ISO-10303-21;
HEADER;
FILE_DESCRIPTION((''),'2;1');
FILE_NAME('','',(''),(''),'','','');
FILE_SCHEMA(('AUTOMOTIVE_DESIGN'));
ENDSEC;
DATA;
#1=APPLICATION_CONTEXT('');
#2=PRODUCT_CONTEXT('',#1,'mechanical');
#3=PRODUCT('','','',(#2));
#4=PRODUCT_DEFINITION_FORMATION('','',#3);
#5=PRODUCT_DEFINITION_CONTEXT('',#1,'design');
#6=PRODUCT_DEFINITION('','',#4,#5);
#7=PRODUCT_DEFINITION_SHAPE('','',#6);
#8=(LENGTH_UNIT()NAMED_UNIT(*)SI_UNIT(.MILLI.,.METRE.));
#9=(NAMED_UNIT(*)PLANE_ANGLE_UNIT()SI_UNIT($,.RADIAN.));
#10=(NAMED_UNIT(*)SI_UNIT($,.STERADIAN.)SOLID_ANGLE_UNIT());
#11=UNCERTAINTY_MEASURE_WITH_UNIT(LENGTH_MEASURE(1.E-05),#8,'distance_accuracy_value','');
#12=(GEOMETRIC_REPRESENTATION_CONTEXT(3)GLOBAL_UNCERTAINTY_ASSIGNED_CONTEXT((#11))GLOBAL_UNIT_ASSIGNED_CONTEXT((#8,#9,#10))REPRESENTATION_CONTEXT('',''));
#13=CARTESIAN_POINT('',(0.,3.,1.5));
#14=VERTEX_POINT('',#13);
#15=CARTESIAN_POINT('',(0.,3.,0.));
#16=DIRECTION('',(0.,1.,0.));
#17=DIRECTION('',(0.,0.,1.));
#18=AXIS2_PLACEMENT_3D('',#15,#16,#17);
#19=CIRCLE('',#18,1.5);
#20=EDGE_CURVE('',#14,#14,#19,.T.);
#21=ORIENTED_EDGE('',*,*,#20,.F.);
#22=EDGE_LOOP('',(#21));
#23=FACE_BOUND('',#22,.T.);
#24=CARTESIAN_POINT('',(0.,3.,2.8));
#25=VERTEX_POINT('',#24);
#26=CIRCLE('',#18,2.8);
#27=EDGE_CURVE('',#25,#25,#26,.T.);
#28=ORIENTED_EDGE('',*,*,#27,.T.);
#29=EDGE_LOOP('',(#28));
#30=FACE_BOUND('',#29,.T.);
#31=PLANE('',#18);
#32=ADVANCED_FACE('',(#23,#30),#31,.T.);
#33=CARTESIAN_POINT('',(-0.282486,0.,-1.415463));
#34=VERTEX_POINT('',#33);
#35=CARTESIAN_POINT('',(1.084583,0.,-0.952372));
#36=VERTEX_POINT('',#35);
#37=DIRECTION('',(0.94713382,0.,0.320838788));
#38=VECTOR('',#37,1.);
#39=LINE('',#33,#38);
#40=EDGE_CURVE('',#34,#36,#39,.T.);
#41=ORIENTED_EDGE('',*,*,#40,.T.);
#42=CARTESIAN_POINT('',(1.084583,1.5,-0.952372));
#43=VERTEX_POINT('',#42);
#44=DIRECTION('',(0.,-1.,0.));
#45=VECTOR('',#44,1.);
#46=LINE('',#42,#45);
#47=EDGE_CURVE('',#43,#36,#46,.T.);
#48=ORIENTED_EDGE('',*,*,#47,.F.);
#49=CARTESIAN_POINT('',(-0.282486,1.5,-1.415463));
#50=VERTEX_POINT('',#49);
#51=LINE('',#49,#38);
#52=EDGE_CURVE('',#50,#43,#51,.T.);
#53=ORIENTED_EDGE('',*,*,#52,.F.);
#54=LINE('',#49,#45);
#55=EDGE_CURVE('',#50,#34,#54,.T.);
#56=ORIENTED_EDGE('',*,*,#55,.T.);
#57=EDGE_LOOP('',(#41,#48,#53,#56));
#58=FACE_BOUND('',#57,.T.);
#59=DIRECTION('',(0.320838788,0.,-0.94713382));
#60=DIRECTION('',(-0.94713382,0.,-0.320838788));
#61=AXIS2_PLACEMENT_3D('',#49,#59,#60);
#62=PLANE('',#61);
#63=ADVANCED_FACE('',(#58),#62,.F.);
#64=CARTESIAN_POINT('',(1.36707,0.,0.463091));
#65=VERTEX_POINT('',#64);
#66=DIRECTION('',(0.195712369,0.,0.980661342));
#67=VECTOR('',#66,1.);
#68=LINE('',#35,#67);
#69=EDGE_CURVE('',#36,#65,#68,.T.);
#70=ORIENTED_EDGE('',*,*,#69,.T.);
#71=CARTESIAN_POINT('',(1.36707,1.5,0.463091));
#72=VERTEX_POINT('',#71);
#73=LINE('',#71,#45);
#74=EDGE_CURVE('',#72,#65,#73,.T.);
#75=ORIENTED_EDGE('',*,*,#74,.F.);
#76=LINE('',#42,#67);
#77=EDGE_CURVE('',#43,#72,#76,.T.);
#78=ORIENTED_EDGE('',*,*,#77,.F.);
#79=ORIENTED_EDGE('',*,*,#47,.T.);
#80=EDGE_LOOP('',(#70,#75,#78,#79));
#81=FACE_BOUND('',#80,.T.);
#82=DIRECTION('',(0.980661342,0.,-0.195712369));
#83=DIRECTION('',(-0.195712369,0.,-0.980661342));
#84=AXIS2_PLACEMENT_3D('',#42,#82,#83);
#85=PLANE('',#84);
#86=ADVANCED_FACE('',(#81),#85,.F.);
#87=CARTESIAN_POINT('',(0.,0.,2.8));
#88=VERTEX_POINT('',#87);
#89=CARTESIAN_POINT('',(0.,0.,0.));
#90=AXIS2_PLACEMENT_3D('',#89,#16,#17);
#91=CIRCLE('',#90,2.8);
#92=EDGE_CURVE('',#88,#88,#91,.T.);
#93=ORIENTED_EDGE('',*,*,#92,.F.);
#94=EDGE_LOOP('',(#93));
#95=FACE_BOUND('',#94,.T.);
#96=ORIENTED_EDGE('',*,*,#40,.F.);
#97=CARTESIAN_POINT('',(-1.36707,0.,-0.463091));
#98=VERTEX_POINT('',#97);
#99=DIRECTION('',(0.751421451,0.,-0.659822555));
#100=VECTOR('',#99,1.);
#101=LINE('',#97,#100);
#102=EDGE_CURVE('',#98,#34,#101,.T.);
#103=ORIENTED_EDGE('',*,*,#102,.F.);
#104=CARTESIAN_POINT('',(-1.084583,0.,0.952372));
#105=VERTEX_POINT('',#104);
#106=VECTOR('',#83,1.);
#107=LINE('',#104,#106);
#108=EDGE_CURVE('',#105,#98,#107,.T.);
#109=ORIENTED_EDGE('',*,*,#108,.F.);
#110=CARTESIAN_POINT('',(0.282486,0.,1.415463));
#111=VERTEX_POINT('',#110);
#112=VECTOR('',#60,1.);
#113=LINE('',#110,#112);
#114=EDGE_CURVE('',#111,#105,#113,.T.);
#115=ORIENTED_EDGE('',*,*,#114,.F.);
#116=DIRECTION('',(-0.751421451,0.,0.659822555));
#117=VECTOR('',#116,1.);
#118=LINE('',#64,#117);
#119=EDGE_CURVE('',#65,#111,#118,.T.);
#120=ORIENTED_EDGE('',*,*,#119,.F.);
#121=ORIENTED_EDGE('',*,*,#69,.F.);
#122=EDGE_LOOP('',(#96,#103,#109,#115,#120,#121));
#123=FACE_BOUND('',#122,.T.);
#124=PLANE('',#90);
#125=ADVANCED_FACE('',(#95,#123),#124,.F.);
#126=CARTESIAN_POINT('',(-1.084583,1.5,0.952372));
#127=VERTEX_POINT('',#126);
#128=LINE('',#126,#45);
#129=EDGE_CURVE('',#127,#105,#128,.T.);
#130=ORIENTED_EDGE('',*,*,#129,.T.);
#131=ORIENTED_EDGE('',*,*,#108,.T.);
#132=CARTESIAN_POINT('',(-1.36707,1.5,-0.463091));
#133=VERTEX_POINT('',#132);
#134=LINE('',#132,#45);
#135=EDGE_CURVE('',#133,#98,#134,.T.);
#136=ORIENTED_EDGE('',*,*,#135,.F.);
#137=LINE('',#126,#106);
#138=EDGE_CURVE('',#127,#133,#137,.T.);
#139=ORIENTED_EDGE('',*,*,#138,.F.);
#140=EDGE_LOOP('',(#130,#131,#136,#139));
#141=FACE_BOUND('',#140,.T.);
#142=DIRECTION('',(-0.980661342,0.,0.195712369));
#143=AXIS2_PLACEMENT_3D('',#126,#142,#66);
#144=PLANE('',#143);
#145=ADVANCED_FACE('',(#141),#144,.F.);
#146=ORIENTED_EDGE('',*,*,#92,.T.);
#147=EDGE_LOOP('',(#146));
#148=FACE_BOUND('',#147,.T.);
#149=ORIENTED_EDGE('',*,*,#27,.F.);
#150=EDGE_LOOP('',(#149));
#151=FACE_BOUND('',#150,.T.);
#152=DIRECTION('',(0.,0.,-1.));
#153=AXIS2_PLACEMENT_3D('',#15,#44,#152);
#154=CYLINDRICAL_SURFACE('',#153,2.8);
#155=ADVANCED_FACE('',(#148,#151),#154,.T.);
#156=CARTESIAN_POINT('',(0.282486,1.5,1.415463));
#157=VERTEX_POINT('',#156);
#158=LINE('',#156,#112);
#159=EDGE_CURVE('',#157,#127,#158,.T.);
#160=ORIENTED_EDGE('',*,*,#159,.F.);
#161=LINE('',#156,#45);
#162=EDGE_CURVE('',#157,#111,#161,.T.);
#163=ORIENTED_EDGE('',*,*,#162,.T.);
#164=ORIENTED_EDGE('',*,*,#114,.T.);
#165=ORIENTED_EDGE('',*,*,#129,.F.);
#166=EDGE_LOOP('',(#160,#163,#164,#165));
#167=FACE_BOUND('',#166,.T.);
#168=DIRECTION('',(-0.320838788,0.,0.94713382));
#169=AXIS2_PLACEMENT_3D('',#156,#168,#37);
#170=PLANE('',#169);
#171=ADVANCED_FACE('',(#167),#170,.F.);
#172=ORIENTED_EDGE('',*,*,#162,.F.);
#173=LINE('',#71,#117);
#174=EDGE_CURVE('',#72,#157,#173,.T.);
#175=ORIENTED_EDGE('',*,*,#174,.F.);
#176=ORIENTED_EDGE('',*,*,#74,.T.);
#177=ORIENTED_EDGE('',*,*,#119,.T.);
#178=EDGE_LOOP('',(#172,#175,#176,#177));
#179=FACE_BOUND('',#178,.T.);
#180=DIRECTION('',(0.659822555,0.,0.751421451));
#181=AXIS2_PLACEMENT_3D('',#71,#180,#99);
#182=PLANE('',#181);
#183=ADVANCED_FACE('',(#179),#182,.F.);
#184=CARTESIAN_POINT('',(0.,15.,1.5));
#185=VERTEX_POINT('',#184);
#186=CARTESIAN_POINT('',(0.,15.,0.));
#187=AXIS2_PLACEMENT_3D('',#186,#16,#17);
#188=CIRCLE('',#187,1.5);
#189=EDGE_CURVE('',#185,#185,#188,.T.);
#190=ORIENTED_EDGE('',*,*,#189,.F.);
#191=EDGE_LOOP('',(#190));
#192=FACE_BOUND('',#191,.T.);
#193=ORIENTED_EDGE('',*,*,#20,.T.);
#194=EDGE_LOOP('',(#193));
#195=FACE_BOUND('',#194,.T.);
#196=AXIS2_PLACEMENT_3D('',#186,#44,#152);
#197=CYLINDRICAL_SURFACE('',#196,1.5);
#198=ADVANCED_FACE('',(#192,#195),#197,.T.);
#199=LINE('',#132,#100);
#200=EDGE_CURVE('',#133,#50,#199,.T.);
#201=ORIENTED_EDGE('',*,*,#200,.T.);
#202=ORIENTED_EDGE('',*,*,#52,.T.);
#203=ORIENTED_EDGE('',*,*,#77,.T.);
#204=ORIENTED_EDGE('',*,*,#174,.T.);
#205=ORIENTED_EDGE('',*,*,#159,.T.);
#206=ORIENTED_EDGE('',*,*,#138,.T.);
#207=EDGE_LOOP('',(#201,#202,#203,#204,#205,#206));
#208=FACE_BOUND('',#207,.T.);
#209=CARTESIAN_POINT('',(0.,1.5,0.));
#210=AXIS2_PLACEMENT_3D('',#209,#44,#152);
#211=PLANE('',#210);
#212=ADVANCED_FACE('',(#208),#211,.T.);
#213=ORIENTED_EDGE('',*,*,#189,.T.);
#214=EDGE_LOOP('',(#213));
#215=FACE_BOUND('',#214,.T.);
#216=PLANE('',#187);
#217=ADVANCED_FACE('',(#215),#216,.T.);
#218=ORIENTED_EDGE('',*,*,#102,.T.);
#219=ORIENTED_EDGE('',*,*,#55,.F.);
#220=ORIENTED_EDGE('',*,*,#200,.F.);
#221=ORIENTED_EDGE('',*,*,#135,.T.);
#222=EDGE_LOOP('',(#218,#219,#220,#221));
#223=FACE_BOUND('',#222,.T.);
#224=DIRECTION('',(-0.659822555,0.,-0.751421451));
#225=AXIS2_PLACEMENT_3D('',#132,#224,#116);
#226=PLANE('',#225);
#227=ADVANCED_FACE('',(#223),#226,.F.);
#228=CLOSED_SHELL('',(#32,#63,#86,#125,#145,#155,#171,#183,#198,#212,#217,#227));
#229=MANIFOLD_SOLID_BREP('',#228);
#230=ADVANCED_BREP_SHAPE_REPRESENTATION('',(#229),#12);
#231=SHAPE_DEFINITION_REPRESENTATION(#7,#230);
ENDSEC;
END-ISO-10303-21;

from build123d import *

# Parameters (mm, degrees)
SKETCH_1_R          = 2.8
EXTRUDE_1_DEPTH     = 3
SKETCH_2_R          = 1.5
EXTRUDE_2_DEPTH     = 12
CUT_EXTRUDE_1_DEPTH = 1.5


with BuildPart() as part:
    # 草图1 → 凸台-拉伸1 (new body)
    with BuildSketch(Plane(origin=(0, 0, 0), x_dir=(1, 0, 0), z_dir=(0, 1, 0))):
        with Locations(Location((0, 0, 0), (0, 0, 270))):
            Circle(SKETCH_1_R)
    extrude(amount=EXTRUDE_1_DEPTH)

    # 草图2 → 凸台-拉伸2 (add)
    with BuildSketch(Plane(origin=(0, 3, 0), x_dir=(1, 0, 0), z_dir=(0, 1, 0))):
        with Locations(Location((0, 0, 0), (0, 0, 270))):
            Circle(SKETCH_2_R)
    extrude(amount=EXTRUDE_2_DEPTH)

    # 草图3 → 切除-拉伸1 (cut)
    with BuildSketch(Plane.XZ):
        Polygon((1.084583442, -0.952371824), (1.367069914, 0.463090901), (0.282486472, 1.415462725), (-1.084583442, 0.952371824), (-1.367069914, -0.463090901), (-0.282486472, -1.415462725), align=None)
    extrude(amount=-CUT_EXTRUDE_1_DEPTH, mode=Mode.SUBTRACT)


solid = part.part
